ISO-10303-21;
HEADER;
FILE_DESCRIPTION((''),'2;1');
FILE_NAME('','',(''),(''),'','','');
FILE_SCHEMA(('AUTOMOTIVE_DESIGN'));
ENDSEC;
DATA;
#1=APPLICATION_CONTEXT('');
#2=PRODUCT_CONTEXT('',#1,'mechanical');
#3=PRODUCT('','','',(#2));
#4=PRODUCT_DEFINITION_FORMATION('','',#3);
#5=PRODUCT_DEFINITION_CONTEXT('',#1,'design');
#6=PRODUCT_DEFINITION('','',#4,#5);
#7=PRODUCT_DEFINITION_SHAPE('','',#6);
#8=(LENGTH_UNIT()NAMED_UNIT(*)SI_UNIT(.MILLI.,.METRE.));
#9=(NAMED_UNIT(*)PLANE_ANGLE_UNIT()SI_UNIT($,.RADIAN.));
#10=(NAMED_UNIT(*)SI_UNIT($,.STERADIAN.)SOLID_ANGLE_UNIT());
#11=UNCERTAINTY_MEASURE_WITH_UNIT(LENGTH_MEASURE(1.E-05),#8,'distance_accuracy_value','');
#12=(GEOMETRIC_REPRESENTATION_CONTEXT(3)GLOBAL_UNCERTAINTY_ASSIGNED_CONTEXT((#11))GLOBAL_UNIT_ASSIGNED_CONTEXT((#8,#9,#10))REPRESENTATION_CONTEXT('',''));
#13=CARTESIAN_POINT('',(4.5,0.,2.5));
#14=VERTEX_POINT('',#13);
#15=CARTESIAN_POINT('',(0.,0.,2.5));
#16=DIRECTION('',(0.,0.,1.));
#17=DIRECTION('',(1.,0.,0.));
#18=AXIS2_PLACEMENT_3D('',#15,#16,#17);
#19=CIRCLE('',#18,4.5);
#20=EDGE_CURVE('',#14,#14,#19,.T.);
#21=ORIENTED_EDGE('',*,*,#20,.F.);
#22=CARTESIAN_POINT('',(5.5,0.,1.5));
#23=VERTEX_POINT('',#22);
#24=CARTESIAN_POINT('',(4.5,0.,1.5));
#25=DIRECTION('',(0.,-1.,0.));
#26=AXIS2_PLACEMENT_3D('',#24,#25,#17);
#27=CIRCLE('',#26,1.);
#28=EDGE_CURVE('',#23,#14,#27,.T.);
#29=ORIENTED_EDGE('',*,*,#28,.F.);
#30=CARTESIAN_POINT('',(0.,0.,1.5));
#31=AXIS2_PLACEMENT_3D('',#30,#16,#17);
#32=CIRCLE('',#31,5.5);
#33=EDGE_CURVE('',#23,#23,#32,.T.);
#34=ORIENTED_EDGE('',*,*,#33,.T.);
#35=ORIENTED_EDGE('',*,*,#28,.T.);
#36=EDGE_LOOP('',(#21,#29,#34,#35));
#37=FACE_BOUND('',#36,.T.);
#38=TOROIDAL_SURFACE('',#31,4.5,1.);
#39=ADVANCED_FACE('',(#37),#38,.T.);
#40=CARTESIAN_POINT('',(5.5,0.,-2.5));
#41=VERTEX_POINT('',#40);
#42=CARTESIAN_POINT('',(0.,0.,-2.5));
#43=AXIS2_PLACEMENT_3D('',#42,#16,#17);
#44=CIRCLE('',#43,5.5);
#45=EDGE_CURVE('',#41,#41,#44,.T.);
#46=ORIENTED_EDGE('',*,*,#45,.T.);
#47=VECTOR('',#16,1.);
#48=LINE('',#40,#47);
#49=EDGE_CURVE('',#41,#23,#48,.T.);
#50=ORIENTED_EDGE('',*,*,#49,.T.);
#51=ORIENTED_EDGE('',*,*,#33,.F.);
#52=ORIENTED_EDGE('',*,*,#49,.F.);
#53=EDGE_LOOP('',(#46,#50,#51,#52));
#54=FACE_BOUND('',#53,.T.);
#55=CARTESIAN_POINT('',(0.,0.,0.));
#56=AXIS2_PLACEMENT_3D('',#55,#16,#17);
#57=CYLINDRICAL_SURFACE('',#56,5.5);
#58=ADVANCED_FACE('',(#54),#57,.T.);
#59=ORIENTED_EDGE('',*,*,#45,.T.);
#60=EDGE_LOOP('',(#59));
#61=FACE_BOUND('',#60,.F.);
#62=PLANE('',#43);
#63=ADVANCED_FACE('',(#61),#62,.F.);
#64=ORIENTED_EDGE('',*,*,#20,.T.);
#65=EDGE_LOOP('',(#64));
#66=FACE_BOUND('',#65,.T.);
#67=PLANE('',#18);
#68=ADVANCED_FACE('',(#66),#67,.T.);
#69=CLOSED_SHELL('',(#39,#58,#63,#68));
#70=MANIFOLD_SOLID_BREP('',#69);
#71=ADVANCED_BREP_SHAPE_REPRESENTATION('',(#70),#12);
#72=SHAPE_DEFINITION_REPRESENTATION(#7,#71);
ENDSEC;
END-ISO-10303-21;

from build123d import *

# Parameters (mm, degrees)
F0_R     = 5.5
F1_DEPTH = 2.5
F2_R     = 1


with BuildPart() as f1:
    # F0 (on Top) → F1 (new body, symmetric)
    with BuildSketch(Plane.XY):
        Circle(F0_R)
    extrude(amount=F1_DEPTH, both=True)

    # F2
    f2_edges = [f1.edges().sort_by_distance(p)[0] for p in [
        (-5.5, 0, 2.5),
    ]]
    fillet(f2_edges, radius=F2_R)


solid = f1.part
